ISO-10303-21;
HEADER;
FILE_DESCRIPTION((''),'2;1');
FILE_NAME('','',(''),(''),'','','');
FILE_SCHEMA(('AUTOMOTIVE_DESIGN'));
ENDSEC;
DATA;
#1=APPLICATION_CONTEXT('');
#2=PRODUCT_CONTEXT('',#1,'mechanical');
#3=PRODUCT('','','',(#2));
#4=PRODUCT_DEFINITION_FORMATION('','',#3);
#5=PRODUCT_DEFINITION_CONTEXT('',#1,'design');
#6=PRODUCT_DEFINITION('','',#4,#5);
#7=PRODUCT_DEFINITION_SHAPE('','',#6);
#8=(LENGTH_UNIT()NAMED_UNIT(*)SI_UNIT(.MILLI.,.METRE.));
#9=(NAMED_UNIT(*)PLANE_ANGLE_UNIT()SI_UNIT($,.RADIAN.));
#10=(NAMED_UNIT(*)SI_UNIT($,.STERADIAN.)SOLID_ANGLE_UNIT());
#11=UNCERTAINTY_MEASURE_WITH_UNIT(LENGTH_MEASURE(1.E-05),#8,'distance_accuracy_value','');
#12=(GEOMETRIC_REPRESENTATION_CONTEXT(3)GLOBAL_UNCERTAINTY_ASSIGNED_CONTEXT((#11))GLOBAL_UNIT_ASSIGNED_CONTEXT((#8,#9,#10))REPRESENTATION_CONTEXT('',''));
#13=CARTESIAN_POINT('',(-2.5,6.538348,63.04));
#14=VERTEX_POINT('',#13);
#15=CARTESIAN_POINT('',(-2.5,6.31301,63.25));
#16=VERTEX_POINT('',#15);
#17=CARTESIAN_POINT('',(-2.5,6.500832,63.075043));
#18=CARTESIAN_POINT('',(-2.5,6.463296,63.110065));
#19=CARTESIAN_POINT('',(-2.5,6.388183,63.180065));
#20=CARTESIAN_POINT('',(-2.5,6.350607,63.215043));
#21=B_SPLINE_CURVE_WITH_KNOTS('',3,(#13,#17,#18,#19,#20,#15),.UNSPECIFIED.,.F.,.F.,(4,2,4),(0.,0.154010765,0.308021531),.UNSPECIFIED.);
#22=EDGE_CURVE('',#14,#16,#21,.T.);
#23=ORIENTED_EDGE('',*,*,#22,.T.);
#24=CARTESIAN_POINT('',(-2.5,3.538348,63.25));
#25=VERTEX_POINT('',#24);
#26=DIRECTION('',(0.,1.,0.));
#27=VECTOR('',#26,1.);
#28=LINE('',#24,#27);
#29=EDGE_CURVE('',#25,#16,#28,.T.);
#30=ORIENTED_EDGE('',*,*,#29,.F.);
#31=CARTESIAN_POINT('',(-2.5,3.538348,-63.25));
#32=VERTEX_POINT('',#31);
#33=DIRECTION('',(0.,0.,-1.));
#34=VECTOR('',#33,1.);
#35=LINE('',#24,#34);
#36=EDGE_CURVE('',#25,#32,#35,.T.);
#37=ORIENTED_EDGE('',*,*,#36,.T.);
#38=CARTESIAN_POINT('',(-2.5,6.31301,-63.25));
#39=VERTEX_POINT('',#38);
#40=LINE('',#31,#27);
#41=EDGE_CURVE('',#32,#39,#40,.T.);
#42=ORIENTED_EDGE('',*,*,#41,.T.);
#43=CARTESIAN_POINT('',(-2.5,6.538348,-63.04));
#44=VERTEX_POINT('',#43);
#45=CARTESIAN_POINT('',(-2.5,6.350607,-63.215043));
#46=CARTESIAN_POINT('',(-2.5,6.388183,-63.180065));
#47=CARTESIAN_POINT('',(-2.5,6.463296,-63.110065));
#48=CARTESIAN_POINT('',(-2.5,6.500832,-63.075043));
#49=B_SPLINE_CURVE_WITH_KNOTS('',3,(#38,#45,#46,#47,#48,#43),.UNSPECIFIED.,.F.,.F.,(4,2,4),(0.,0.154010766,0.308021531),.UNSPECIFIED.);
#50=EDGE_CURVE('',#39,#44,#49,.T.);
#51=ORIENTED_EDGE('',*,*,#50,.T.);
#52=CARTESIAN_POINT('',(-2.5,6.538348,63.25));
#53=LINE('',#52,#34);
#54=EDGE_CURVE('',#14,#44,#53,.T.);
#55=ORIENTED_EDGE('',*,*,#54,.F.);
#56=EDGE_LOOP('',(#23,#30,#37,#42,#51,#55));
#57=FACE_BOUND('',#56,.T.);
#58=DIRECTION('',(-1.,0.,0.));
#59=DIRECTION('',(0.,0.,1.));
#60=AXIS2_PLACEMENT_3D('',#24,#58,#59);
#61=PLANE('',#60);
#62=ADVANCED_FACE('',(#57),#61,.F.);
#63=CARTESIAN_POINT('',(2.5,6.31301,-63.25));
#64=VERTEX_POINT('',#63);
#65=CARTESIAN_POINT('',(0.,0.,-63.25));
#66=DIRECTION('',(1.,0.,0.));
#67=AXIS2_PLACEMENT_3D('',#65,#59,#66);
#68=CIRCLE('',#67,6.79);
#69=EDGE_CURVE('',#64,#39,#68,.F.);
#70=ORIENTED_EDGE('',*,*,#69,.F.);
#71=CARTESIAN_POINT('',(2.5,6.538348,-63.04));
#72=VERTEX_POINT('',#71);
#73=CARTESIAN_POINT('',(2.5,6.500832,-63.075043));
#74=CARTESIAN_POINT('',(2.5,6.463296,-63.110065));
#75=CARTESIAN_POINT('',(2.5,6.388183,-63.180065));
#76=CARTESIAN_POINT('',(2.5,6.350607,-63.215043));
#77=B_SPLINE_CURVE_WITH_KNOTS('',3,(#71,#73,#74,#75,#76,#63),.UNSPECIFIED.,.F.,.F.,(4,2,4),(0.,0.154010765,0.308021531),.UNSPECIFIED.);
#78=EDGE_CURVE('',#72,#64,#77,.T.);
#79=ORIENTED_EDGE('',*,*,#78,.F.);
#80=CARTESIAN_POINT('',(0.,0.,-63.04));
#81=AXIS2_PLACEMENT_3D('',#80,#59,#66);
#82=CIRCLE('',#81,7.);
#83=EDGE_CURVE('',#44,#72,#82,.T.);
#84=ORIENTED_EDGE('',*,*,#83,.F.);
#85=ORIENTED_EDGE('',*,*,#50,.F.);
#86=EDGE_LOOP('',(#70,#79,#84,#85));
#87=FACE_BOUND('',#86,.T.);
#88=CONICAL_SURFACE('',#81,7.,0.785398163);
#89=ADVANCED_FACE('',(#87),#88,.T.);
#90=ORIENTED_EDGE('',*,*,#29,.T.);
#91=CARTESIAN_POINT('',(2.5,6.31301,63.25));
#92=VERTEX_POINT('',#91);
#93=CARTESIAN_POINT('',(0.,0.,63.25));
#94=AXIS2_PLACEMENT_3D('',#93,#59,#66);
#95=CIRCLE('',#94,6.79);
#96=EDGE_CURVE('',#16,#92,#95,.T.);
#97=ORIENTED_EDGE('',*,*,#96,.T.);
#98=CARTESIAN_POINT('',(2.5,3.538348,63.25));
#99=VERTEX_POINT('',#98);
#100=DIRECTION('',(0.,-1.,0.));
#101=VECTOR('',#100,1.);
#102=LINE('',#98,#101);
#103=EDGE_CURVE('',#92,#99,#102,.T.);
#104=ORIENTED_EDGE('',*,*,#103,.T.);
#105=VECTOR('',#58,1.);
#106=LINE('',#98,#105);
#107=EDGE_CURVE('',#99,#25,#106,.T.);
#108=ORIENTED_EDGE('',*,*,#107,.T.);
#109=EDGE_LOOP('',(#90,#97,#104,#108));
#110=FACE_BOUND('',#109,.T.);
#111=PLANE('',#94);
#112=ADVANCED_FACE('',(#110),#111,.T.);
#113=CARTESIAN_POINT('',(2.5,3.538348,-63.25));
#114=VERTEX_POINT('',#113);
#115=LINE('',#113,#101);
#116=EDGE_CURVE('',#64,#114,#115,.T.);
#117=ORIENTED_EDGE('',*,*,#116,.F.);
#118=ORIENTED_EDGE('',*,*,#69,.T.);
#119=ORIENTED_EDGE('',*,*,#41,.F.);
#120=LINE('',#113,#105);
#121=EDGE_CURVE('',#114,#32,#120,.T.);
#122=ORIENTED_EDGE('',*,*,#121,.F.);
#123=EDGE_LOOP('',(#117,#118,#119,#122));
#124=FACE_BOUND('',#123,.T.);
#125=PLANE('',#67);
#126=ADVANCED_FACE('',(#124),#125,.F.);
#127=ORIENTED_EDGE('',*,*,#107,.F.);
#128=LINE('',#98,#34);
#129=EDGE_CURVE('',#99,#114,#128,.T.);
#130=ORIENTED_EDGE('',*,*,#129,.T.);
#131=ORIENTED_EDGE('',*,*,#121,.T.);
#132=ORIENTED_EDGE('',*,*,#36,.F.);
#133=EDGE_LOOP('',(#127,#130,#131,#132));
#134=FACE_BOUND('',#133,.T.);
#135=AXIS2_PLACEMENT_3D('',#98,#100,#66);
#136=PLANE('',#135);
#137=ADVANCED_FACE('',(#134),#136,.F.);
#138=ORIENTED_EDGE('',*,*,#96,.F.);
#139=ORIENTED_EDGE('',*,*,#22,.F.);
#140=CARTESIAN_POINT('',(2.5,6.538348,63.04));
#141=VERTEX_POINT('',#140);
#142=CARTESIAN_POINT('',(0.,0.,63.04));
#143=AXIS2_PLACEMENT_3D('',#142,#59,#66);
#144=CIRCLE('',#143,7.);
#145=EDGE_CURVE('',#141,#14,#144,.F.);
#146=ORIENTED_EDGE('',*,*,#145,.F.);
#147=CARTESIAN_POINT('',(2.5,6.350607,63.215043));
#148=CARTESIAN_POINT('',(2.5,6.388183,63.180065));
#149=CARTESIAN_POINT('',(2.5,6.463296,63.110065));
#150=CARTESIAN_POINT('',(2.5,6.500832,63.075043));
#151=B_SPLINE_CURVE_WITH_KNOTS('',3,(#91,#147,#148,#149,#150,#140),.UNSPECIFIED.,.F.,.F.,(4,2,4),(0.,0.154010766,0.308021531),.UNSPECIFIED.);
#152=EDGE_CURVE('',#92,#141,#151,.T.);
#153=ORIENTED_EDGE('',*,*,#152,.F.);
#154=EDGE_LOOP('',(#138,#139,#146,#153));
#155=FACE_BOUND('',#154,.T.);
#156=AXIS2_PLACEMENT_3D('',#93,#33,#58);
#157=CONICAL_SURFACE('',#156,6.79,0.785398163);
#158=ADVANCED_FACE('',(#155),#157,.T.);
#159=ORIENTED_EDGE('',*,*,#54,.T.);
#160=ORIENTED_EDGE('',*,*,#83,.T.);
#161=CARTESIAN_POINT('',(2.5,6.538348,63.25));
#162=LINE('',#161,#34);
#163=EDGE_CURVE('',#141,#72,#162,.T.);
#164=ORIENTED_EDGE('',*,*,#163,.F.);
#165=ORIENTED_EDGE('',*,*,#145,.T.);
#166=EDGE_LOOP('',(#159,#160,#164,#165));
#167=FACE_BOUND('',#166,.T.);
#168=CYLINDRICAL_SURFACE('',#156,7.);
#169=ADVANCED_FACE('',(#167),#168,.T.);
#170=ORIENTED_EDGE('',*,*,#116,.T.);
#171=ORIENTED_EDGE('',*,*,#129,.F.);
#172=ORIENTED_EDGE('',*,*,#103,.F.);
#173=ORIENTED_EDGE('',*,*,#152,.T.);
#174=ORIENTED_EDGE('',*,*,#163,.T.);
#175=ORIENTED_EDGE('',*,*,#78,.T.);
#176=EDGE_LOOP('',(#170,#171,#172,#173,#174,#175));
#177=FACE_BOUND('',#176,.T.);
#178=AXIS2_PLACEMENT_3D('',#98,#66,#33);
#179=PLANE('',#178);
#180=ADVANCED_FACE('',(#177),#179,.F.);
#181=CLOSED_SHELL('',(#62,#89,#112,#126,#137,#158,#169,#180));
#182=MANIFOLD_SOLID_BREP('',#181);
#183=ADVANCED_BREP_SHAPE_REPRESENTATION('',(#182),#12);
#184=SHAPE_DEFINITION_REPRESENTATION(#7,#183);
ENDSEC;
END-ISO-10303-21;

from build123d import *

# Parameters (mm, degrees)
BOSS_EXTRUDE1_DEPTH      = 63.25
BOSS_EXTRUDE1_DEPTH_BACK = 63.25
CHAMFER1_SIZE            = 0.21


with BuildPart() as part:
    # Sketch3 → Boss-Extrude1 (new, two sides: drawn at the far end of the back side and taken through both)
    with BuildSketch(Plane.XY.offset(-BOSS_EXTRUDE1_DEPTH_BACK)):
        with BuildLine():
            Line((-2.5, 3.538348415), (-2.5, 6.538348415))
            ThreePointArc((-2.5, 6.538348415), (0, -7), (2.5, 6.538348415))
            Line((2.5, 6.538348415), (2.5, 3.538348415))
            Line((2.5, 3.538348415), (-2.5, 3.538348415))
        make_face()
    extrude(amount=BOSS_EXTRUDE1_DEPTH + BOSS_EXTRUDE1_DEPTH_BACK)

    # Chamfer1
    chamfer1_edges = [part.edges().sort_by_distance(p)[0] for p in [
        (0, -7, -63.25),
        (0, -7, 63.25),
    ]]
    chamfer(chamfer1_edges, length=CHAMFER1_SIZE)


solid = part.part
